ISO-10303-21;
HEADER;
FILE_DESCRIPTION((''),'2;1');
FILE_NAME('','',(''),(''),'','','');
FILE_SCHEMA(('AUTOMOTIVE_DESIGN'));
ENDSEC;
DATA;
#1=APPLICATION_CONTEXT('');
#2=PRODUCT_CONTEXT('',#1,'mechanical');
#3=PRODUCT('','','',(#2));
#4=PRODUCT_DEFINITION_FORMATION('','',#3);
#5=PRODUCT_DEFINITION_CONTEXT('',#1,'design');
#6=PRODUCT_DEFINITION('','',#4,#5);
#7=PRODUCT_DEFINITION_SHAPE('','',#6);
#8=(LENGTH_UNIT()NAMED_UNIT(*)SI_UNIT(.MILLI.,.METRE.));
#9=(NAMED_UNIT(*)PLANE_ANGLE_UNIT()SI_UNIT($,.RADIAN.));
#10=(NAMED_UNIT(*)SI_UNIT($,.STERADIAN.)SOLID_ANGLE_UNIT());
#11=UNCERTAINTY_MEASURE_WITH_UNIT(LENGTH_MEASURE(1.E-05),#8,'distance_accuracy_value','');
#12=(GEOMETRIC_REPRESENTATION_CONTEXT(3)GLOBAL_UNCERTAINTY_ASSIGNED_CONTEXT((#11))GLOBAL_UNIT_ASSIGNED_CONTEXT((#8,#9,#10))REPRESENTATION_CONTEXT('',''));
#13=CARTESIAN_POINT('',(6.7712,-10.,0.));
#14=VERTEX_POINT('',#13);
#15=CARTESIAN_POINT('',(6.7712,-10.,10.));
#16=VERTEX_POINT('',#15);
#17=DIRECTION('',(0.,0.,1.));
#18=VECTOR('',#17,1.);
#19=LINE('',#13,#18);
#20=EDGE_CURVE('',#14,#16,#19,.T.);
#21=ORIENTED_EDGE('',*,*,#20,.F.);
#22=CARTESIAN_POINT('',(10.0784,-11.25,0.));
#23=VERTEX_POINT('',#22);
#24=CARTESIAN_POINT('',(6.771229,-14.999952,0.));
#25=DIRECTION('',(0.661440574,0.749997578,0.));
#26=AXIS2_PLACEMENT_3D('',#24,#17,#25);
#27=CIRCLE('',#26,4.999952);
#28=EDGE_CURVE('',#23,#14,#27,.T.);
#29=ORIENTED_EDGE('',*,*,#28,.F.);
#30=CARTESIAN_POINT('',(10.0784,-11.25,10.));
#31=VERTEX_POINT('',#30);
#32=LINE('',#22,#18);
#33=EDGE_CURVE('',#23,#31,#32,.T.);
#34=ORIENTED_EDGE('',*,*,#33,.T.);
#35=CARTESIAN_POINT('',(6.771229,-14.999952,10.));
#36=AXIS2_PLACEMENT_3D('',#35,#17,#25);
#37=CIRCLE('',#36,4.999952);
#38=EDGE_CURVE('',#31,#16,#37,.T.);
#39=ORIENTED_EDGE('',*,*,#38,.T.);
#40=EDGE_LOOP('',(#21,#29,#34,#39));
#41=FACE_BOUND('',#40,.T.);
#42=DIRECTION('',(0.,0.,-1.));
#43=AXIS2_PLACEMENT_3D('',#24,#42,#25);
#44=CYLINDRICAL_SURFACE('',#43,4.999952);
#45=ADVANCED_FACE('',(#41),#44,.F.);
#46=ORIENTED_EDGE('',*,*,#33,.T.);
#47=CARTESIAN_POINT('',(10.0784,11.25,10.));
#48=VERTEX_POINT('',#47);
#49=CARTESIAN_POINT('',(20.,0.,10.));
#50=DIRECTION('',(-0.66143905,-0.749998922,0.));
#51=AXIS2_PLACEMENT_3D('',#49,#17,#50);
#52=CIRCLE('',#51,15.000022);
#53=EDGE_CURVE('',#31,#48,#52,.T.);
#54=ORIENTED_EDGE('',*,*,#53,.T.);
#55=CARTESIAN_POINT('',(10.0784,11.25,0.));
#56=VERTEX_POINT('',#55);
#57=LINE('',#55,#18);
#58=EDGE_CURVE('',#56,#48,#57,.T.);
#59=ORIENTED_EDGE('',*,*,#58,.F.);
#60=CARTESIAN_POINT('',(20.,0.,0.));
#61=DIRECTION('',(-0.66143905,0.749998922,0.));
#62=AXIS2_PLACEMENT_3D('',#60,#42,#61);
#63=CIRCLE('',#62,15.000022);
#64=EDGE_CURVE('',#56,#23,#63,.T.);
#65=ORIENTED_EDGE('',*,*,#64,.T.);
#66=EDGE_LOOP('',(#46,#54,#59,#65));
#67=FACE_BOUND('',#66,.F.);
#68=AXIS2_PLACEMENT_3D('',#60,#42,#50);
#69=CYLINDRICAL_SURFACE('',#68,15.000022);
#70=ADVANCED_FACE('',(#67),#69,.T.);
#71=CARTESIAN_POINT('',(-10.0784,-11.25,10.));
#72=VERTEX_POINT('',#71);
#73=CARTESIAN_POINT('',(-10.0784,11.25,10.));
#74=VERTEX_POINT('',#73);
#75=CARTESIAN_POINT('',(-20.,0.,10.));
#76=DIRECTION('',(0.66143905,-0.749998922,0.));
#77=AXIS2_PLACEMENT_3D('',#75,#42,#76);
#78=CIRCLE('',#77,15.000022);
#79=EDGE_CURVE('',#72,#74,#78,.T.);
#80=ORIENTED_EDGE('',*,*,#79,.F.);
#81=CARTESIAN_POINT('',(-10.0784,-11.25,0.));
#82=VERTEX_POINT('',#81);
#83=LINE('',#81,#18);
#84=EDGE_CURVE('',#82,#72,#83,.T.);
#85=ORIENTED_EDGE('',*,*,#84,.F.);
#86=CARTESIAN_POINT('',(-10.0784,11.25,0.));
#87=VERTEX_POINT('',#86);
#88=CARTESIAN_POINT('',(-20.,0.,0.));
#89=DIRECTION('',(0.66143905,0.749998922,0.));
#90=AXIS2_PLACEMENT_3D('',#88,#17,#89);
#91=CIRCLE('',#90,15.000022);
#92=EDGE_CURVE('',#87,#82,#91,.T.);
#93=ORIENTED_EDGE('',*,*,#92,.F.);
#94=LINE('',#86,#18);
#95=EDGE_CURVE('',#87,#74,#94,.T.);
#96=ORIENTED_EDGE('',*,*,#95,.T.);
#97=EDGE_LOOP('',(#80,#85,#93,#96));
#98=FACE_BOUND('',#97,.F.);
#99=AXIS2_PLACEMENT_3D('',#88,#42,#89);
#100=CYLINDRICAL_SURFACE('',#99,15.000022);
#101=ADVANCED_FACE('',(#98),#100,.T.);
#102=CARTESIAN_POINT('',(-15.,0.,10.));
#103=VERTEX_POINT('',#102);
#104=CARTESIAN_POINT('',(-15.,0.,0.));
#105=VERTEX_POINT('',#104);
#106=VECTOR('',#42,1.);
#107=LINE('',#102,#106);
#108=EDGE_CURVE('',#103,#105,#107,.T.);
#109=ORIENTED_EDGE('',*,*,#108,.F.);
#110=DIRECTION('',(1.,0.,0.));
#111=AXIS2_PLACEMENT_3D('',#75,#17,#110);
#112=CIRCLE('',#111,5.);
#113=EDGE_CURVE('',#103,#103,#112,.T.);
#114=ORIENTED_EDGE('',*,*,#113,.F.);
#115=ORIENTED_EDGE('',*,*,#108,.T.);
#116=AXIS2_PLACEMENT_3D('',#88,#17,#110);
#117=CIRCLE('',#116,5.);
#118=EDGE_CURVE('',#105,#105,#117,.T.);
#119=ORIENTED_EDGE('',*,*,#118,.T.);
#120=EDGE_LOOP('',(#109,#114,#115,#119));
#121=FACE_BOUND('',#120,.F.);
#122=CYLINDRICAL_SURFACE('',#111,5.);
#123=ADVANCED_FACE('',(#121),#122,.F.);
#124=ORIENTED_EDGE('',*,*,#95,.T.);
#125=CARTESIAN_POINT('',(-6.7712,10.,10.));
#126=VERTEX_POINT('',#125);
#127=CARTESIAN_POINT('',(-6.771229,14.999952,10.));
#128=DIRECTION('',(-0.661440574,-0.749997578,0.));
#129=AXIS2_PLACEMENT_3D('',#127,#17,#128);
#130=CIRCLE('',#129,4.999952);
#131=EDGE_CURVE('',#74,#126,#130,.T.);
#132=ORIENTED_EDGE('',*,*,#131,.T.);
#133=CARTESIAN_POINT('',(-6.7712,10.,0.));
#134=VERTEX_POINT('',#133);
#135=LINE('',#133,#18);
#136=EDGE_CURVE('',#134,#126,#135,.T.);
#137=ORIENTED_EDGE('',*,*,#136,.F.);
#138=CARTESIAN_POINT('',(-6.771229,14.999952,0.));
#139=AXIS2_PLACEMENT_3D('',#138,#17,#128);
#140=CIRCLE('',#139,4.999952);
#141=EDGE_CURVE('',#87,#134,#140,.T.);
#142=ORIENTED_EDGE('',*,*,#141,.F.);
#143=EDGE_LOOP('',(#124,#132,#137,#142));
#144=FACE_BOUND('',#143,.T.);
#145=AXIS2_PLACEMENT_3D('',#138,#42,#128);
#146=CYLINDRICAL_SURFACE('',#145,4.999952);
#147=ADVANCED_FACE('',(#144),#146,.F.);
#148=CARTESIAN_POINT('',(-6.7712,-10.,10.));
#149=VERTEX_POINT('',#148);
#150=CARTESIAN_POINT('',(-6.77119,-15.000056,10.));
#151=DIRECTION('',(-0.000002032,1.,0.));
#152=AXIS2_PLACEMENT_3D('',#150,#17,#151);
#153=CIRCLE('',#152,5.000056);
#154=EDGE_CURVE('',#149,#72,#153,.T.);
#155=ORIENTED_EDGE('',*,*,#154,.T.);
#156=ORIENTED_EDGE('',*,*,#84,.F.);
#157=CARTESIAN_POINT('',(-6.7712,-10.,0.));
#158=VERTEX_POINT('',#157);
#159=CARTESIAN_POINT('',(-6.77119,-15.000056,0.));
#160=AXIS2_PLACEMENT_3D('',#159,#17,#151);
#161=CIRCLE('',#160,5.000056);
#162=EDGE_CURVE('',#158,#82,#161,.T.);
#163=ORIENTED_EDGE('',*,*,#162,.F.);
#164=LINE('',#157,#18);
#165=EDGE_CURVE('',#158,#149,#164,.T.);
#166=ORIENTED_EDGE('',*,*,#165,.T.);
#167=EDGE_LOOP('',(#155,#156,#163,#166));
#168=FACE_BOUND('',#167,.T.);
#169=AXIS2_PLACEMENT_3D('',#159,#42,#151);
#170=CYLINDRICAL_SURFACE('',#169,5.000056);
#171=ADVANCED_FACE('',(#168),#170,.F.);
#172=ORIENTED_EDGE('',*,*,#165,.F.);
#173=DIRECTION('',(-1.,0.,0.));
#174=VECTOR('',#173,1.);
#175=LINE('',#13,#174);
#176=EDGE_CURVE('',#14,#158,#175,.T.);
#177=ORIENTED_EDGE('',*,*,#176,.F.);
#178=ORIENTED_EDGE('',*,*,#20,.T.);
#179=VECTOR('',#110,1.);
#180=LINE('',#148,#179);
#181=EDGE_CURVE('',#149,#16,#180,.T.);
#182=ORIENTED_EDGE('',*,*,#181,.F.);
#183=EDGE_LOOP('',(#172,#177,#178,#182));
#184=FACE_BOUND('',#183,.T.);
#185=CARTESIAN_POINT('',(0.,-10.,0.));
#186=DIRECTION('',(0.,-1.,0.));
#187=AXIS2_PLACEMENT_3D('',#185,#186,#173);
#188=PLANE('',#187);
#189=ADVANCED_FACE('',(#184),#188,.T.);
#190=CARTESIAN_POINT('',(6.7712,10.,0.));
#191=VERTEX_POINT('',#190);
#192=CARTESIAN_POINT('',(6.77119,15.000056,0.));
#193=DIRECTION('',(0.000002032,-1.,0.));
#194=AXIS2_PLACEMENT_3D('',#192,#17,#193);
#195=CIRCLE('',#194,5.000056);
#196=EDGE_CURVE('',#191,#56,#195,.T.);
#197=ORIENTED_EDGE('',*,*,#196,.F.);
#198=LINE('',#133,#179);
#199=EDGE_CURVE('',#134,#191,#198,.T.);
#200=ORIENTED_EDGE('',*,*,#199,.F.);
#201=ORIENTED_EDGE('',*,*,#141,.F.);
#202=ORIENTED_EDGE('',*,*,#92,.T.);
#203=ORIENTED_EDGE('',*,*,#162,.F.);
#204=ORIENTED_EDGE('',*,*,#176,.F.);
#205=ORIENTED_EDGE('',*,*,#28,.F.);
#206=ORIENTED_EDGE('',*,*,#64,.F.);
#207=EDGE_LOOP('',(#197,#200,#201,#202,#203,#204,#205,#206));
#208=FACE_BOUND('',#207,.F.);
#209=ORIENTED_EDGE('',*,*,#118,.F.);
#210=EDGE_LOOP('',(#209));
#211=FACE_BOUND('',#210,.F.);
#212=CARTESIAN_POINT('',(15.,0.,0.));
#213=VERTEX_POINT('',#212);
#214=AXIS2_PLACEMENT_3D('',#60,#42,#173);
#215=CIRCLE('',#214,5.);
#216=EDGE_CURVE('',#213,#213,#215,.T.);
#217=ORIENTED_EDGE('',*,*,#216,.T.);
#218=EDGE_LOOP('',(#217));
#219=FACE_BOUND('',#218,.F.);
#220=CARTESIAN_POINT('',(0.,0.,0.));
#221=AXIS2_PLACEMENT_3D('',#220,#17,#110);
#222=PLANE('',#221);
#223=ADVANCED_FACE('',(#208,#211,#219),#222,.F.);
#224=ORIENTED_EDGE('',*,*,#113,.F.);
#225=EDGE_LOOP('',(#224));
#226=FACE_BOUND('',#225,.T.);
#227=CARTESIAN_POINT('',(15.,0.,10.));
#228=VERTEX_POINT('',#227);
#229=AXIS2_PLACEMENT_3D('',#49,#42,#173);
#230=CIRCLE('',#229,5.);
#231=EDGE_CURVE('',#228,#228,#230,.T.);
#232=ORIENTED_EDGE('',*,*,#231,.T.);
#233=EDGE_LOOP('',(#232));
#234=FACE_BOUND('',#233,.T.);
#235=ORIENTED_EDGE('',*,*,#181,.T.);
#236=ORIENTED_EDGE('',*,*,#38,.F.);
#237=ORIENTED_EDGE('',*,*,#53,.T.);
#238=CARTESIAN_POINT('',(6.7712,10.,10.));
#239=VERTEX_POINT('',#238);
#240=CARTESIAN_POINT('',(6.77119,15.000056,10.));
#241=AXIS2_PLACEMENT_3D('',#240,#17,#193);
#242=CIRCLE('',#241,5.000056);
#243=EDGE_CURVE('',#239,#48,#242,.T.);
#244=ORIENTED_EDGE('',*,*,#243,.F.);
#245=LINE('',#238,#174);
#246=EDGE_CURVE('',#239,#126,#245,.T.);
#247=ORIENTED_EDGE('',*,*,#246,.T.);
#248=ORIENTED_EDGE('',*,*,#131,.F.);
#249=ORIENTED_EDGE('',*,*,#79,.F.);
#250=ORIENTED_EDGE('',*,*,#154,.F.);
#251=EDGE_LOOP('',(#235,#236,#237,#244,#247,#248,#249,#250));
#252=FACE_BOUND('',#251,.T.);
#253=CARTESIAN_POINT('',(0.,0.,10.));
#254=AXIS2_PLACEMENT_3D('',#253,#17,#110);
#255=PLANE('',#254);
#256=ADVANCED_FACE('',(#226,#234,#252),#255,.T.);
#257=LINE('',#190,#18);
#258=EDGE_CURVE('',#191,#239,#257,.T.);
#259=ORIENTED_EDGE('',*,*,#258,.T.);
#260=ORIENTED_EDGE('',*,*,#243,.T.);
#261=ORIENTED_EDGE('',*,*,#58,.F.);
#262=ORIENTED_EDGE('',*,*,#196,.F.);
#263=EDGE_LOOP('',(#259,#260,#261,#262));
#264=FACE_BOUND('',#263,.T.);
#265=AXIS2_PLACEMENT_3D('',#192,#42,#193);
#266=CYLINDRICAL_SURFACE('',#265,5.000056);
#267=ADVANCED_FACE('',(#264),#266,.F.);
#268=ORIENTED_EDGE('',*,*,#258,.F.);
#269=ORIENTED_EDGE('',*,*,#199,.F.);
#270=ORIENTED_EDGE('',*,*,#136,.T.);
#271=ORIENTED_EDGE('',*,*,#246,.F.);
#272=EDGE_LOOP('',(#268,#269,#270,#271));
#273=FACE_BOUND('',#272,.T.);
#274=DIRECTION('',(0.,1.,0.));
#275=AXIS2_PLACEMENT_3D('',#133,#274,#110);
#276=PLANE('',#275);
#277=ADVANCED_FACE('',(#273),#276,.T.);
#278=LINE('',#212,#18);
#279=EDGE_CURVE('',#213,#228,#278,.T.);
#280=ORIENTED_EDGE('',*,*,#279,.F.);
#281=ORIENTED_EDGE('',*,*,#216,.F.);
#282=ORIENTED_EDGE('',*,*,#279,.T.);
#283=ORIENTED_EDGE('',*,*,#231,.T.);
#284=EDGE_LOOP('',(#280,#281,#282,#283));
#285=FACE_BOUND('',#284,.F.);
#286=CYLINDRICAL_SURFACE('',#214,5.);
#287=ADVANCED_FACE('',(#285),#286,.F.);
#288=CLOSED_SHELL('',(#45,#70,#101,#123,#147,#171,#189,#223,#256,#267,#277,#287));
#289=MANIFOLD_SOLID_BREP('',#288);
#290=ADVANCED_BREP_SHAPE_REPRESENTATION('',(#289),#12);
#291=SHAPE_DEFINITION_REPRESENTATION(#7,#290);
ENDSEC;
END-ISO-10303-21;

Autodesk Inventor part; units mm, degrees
ref_plane "YZ Plane" through (0, 0, 0) normal (1, 0, 0) x (0, 1, 0)
ref_plane "XZ Plane" through (0, 0, 0) normal (0, 1, 0) x (-1, 0, 0)
ref_plane "XY Plane" through (0, 0, 0) normal (0, 0, 1) x (1, 0, 0)
sketch "Эскиз1" plane through (0, 0, 0) normal (0, 0, 1) x (1, 0, 0)
  line L0 (-49, 0) -> (49, 0) projected
  line L1 (-6.7712, 10) -> (6.7712, 10)
  line L2 (6.7712, -10) -> (-6.7712, -10)
  line L3 (0, -21) -> (0, 21) projected
  arc A0 (-10.0784, 11.25) -> (-10.0784, -11.25) centre (-20, 0) ccw
  arc A1 (10.0784, -11.25) -> (10.0784, 11.25) centre (20, 0) ccw
  circle A2 centre (-20, 0) radius 5
  circle A3 centre (20, 0) radius 5
  arc A4 (-10.0784, 11.25) -> (-6.7712, 10) centre (-6.7712, 15) ccw
  arc A5 (-6.7712, -10) -> (-10.0784, -11.25) centre (-6.7712, -15) ccw
  arc A6 (10.0784, -11.25) -> (6.7712, -10) centre (6.7712, -15) ccw
  arc A7 (6.7712, 10) -> (10.0784, 11.25) centre (6.7712, 15) ccw
  point P0 (0, 0)
  point P1 (-8.8197, 10)
  point P2 (8.8197, -10)
  point P3 (8.8197, 10)
  point P4 (-8.8197, -10)
  dimension "d1" = 20
  dimension "d3" = 15
  dimension "d4" = 10
  dimension "d5" = 5
  dimension "d8" = 40
extrude "Выдавливание1" add sketch "Эскиз1" along normal blind 10
sketch "Эскиз2" plane through (0, 0, 0) normal (0, 0, -1) x (-1, 0, 0)
  circle A0 centre (-20, 0) radius 5 projected
  point P0 (0, 0)
extrude "Выдавливание2" cut sketch "Эскиз2" along normal through all both and the other way through all
sketch "Эскиз3" plane through (0, 0, 10) normal (0, 0, 1) x (1, 0, 0)
  circle A0 centre (-20, 0) radius 5 projected
  point P0 (0, 0)
extrude "Выдавливание3" cut sketch "Эскиз3" along normal through all both and the other way through all
properties part number "кривошип_v1"
